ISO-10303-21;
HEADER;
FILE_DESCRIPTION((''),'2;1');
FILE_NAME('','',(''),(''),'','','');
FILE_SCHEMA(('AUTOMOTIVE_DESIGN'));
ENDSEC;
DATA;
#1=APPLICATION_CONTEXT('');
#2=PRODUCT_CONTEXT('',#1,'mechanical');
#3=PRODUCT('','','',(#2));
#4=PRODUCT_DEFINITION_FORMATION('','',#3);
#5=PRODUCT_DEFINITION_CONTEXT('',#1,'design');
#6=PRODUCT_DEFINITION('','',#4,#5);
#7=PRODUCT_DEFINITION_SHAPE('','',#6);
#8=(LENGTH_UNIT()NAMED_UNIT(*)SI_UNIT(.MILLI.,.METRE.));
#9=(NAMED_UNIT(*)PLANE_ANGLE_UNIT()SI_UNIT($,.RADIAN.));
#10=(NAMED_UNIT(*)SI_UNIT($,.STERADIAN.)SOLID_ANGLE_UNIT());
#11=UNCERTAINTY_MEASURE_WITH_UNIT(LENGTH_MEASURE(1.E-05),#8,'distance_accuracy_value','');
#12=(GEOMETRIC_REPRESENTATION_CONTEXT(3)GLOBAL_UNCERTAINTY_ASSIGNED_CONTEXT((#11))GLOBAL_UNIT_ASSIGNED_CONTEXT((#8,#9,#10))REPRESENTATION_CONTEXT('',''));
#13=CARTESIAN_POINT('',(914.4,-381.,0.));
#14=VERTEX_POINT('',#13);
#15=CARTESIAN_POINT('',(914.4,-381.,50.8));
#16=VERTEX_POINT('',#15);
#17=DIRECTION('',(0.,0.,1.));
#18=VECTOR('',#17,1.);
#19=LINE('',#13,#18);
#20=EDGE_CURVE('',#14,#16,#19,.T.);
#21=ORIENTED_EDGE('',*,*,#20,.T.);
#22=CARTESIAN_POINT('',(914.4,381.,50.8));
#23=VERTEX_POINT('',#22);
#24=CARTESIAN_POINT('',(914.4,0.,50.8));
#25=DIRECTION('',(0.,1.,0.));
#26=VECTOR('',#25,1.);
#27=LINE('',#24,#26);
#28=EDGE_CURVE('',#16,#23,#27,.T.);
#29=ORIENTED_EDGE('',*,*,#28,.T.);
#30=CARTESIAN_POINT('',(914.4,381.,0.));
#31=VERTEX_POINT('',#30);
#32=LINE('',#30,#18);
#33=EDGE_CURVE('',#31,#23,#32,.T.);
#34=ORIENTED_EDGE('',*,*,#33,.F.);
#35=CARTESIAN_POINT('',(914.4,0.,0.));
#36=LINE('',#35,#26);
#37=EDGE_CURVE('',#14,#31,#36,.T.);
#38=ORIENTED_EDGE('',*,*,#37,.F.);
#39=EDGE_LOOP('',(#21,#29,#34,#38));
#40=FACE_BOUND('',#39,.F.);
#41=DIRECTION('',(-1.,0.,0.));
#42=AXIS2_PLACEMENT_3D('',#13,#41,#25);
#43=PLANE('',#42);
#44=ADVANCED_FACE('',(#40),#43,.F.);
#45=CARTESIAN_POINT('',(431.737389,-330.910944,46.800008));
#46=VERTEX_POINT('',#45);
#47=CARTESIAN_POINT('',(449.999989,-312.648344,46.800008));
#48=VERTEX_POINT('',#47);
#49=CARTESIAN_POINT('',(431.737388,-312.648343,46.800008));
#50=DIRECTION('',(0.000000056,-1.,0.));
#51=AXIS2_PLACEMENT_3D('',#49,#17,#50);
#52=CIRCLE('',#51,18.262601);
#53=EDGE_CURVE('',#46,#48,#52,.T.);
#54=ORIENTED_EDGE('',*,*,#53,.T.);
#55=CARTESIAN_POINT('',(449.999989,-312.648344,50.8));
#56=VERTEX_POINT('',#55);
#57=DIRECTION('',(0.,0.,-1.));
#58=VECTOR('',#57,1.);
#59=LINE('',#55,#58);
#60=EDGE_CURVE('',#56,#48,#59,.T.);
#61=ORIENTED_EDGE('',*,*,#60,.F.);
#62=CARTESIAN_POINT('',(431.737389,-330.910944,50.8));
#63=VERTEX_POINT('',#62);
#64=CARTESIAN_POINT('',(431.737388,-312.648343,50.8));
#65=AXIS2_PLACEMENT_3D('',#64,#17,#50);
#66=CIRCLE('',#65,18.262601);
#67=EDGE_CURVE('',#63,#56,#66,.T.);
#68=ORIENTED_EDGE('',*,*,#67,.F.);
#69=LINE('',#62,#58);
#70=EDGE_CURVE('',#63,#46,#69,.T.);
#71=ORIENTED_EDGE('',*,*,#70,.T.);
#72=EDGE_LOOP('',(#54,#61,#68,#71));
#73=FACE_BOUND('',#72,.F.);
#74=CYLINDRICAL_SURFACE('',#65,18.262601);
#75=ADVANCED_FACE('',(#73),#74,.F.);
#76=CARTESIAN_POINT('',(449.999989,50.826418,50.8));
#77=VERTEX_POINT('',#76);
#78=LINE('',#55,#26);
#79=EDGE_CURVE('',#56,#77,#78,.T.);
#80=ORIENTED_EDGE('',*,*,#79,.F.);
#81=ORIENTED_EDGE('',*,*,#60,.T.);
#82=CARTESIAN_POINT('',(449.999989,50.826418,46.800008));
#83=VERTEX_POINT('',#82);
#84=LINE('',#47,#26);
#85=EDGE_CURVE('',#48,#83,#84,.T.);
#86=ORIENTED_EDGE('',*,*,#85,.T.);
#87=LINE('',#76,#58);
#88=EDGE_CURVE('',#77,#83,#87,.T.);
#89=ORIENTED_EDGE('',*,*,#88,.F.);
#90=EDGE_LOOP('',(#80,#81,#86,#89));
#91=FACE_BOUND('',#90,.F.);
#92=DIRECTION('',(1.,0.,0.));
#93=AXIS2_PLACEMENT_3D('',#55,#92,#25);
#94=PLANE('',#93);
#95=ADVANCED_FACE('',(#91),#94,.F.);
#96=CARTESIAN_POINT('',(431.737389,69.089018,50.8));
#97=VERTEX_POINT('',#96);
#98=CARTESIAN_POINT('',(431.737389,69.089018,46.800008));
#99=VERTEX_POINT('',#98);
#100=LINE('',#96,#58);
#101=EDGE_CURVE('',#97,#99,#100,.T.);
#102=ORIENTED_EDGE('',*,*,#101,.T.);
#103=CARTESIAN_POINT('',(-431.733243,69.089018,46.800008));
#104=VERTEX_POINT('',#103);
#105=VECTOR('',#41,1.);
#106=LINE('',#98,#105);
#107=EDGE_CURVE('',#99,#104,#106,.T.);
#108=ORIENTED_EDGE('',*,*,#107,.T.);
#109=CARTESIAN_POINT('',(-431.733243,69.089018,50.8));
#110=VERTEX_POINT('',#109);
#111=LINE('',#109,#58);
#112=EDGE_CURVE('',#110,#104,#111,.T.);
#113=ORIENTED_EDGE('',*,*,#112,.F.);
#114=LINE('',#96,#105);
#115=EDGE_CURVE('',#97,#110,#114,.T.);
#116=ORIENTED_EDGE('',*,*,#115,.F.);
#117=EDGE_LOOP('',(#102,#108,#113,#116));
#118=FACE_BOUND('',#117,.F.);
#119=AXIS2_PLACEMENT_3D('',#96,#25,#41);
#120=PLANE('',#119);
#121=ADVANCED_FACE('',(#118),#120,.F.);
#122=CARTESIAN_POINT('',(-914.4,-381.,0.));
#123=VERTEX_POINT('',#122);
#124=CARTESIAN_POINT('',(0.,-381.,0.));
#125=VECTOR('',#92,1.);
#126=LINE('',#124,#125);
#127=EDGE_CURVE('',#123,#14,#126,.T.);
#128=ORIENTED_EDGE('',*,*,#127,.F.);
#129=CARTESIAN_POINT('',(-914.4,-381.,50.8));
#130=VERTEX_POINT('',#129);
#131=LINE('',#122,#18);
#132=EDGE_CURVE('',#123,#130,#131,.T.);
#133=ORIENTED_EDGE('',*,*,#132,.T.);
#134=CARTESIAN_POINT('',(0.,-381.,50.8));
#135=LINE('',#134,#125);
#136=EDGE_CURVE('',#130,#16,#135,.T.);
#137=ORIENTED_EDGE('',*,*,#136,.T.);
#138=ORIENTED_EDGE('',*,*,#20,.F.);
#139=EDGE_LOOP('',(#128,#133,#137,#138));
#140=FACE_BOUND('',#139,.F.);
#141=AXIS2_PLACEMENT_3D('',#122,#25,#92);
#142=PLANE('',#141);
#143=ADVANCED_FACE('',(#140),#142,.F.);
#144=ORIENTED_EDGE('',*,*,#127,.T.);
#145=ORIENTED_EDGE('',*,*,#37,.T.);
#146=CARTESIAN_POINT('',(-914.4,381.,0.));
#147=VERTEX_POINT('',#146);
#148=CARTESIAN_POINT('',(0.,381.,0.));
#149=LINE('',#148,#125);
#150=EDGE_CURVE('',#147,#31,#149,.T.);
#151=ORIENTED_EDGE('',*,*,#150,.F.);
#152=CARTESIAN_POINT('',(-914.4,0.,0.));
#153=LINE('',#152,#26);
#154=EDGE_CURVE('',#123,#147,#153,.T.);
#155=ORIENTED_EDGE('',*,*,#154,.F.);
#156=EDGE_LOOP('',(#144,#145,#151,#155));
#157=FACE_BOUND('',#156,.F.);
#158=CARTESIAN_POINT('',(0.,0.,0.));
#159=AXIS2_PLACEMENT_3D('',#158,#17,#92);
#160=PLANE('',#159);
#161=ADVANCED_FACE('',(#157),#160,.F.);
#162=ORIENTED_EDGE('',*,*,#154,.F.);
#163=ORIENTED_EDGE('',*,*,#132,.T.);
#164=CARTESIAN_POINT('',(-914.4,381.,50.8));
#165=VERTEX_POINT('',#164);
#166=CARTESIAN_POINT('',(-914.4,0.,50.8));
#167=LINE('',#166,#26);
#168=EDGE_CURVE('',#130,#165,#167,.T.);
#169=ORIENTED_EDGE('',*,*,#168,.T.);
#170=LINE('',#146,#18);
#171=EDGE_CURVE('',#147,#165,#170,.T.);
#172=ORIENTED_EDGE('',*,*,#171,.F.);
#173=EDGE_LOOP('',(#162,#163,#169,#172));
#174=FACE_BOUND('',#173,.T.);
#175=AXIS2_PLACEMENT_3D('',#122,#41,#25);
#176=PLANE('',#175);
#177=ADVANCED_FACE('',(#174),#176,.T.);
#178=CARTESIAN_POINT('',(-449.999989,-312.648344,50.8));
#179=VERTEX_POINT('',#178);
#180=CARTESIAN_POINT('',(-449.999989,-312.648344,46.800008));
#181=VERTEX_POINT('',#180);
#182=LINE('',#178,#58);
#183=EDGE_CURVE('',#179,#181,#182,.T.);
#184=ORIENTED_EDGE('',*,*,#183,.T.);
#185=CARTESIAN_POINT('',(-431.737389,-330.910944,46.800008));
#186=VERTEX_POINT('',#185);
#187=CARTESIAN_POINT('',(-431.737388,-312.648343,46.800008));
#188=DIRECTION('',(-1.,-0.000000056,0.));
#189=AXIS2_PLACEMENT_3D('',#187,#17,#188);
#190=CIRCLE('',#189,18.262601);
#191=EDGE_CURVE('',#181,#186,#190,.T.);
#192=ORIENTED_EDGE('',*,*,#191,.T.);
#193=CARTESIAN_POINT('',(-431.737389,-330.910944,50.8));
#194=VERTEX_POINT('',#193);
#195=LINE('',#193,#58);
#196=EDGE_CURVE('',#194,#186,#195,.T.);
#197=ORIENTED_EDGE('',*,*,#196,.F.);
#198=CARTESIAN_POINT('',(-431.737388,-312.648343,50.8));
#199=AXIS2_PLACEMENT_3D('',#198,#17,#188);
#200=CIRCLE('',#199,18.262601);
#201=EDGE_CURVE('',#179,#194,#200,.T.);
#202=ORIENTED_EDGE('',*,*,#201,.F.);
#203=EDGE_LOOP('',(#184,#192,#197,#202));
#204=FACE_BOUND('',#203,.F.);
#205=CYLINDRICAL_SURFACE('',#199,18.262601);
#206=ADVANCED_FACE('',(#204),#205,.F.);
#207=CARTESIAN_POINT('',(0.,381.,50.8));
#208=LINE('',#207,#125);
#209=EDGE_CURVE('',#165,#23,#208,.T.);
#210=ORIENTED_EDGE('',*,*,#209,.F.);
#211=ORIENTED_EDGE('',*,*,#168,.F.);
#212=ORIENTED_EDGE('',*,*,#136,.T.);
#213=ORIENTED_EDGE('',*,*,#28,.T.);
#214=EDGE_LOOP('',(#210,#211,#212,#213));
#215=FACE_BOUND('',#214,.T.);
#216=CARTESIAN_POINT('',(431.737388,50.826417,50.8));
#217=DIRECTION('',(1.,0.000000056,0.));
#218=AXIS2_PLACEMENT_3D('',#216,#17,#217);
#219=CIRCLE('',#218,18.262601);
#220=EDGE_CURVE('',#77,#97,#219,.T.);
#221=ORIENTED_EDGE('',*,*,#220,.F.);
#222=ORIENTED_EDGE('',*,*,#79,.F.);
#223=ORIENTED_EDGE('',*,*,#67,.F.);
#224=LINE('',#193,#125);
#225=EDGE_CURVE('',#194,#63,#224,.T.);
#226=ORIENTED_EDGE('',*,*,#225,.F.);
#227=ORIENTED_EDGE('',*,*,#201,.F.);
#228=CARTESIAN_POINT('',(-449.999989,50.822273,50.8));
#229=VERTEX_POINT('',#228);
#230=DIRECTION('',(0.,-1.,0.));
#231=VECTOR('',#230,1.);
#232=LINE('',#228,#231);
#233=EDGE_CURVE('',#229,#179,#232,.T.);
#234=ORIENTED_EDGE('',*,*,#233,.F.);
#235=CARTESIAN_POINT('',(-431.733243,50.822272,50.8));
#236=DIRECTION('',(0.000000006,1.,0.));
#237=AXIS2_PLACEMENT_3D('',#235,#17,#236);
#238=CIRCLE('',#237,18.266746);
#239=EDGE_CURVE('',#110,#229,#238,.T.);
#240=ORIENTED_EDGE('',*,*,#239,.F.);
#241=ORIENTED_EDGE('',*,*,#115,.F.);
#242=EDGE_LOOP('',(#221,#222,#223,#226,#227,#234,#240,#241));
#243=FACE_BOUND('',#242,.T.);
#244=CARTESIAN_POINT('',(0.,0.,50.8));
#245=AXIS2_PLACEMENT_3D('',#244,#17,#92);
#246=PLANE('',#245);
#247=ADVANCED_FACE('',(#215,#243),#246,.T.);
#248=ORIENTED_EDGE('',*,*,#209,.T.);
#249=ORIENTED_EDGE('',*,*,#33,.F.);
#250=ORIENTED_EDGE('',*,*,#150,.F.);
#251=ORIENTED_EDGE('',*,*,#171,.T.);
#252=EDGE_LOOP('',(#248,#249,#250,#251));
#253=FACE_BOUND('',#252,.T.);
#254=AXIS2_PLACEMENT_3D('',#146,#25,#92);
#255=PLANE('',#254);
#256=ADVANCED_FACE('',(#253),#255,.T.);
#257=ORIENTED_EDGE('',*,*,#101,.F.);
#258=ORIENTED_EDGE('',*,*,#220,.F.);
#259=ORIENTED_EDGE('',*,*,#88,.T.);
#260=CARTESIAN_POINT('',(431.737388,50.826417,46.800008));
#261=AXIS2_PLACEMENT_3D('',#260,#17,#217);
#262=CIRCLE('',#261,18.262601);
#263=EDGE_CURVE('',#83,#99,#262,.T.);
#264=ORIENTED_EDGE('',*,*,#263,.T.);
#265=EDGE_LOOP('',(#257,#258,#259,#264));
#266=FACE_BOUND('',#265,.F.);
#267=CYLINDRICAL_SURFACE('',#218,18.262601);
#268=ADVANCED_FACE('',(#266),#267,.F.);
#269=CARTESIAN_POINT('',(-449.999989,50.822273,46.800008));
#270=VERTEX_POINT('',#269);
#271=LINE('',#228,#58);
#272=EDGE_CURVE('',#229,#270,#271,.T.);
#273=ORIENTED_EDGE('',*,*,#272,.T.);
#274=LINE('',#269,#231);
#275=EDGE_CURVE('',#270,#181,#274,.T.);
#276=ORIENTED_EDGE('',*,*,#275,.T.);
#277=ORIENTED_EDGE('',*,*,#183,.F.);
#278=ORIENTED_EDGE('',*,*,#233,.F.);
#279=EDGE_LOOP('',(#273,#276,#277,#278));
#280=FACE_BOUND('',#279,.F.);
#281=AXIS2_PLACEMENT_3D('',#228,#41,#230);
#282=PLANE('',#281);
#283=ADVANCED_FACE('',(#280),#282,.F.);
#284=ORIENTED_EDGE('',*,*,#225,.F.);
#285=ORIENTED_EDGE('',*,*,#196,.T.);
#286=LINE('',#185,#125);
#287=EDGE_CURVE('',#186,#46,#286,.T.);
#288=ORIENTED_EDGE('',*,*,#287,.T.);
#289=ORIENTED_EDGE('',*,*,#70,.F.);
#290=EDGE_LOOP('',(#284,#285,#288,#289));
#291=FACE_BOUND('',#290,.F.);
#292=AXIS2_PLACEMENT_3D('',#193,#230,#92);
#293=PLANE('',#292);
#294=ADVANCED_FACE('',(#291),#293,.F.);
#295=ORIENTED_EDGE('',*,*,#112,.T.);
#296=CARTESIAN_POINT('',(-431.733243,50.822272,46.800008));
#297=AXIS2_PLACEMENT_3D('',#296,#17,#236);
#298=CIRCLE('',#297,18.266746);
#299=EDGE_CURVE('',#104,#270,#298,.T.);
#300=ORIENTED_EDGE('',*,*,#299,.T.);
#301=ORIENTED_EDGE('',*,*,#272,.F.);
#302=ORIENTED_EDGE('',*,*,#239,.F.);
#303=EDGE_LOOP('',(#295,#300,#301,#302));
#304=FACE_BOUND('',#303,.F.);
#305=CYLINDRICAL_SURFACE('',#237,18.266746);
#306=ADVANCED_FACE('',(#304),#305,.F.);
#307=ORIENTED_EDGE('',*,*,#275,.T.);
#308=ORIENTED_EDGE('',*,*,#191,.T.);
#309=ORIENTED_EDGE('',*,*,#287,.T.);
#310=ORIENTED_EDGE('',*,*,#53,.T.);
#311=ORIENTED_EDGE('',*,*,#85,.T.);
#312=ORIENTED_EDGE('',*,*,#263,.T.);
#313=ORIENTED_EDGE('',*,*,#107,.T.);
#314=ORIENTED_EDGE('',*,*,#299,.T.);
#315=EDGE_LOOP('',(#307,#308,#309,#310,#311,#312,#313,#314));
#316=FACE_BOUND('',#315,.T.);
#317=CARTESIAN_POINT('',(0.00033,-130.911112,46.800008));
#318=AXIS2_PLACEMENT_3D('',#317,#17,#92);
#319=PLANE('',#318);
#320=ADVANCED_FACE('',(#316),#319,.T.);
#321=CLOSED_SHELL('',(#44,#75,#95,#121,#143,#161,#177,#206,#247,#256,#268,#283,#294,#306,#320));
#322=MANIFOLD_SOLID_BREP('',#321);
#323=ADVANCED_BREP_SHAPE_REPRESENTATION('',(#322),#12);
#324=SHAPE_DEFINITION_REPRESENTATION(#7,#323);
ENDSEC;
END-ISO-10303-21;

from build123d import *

# Parameters (mm, degrees)
F0_W     = 1828.8
F0_H     = 762
F1_DEPTH = 50.8
F3_DEPTH = 3.999992


with BuildPart() as f1:
    # F0 (on Top) → F1 (new body)
    with BuildSketch(Plane.XY):
        Rectangle(F0_W, F0_H)
    extrude(amount=F1_DEPTH)

    # F2 (on face) → F3 (cut)
    with BuildSketch(Plane.XY.offset(50.8)):
        with BuildLine():
            Line((-431.737389, -330.910944), (431.737389, -330.910944))
            ThreePointArc((431.737389, -330.910944), (444.650997, -325.561952), (449.999989, -312.648344))
            Line((449.999989, -312.648344), (449.999989, 50.826418))
            ThreePointArc((449.999989, 50.826418), (444.650997, 63.740026), (431.737389, 69.089018))
            Line((431.737389, 69.089018), (-431.733243, 69.089018))
            ThreePointArc((-431.733243, 69.089018), (-444.649783, 63.738812), (-449.999989, 50.822273))
            Line((-449.999989, 50.822273), (-449.999989, -312.648344))
            ThreePointArc((-449.999989, -312.648344), (-444.650997, -325.561952), (-431.737389, -330.910944))
        make_face()
    extrude(amount=-F3_DEPTH, mode=Mode.SUBTRACT)


solid = f1.part
